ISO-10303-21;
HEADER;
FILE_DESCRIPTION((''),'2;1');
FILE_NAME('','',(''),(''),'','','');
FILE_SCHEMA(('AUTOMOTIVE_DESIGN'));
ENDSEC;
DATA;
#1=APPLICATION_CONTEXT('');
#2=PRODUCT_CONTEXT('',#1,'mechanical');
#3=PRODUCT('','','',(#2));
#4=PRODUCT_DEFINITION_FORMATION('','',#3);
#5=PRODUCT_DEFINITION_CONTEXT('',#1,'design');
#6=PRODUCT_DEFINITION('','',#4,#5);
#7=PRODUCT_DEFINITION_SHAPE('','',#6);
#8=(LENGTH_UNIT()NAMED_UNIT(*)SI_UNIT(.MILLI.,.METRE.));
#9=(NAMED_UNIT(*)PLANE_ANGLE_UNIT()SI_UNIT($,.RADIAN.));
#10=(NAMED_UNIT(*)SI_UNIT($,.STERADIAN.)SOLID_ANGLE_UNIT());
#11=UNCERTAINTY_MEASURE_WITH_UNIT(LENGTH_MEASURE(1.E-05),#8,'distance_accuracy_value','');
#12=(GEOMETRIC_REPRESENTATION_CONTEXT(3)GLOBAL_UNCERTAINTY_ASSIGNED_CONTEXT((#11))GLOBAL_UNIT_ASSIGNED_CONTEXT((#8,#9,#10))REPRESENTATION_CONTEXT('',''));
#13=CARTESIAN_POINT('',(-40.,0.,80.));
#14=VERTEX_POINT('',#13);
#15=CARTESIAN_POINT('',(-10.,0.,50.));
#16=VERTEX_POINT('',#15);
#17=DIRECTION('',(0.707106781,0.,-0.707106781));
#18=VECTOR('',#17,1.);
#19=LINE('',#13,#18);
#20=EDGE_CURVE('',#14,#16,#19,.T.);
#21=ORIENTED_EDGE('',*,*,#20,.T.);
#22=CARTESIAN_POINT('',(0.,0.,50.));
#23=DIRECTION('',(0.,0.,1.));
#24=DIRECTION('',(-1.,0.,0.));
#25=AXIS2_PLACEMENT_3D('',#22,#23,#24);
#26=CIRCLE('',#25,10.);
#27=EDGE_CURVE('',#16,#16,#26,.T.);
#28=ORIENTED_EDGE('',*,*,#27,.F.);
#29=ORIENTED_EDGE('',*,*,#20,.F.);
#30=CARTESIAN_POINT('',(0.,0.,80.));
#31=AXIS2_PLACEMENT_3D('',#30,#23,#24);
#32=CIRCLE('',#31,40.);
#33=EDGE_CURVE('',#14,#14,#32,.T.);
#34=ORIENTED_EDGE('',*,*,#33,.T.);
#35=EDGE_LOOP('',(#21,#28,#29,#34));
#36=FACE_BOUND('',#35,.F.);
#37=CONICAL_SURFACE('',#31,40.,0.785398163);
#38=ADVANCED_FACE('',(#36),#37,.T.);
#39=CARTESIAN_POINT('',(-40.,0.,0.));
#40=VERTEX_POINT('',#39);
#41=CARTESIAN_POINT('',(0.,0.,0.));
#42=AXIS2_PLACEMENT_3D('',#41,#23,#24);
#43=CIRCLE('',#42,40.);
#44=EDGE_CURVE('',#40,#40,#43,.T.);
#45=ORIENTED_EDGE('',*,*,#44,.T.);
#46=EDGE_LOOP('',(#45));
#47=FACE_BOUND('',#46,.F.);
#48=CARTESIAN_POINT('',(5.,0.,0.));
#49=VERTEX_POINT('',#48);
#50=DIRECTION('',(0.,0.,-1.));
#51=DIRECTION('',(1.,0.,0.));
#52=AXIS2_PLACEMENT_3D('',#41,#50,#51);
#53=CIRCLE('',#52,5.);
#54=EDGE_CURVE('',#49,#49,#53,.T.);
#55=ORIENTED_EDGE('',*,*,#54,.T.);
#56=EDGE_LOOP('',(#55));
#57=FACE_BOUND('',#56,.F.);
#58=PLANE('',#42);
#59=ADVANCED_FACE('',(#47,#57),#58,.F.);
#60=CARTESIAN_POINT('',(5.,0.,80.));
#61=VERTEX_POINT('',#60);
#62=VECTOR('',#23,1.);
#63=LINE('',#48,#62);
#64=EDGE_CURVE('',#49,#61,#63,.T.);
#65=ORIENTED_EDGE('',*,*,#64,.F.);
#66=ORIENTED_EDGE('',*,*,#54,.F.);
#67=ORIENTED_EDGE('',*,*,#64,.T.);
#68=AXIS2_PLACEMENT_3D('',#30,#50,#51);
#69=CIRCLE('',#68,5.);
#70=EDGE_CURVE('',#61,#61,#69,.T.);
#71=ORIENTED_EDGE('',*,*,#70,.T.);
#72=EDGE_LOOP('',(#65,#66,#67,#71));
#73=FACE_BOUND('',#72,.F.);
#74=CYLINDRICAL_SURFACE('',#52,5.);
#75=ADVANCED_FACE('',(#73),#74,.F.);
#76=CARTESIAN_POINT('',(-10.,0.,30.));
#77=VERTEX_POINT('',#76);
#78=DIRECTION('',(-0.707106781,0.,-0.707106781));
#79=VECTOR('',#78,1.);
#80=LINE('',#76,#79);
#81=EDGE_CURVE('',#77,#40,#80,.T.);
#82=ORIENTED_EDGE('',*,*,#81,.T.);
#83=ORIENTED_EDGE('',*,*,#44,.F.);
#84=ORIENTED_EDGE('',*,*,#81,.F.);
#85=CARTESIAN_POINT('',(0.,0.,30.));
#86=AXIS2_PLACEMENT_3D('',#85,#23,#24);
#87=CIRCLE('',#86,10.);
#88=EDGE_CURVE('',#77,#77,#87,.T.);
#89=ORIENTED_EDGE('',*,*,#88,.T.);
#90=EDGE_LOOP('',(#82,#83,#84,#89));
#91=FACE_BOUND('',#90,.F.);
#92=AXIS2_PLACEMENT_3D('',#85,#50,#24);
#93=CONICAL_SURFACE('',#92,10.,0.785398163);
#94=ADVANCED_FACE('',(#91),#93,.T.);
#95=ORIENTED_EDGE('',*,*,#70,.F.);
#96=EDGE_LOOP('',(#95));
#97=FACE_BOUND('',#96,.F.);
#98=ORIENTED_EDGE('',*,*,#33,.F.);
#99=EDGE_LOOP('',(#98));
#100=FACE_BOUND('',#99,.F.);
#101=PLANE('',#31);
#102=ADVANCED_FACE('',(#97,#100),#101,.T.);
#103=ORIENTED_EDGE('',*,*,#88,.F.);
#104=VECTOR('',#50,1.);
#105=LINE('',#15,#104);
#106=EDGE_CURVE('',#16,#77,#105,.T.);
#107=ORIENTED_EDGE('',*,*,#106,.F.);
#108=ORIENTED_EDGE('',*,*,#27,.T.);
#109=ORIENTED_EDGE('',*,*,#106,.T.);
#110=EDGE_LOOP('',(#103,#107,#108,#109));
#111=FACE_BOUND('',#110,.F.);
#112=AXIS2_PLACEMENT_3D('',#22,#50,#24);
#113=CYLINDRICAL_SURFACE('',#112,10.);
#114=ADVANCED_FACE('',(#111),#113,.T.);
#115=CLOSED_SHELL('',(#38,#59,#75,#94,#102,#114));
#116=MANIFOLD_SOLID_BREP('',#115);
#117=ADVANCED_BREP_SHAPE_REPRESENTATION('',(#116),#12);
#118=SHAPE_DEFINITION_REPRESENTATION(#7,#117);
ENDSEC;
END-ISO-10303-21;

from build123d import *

# Parameters (mm, degrees)
F2_R     = 5
F3_DEPTH = 80


with BuildPart() as f1:
    # F0 (on Front) → F1 (revolve)
    with BuildSketch(Plane.XZ):
        Polygon((0, 0), (0, 80), (-40, 80), (-10, 50), (-10, 30), (-40, 0), align=None)
    revolve(axis=Axis((0, 0, 40), (0, 0, 1)))

    # F2 (on face) → F3 (cut, through all)
    with BuildSketch(Plane(origin=(0, 0, 0), x_dir=(1, 0, 0), z_dir=(0, 0, -1))):
        Circle(F2_R)
    extrude(amount=-F3_DEPTH, mode=Mode.SUBTRACT)


solid = f1.part
